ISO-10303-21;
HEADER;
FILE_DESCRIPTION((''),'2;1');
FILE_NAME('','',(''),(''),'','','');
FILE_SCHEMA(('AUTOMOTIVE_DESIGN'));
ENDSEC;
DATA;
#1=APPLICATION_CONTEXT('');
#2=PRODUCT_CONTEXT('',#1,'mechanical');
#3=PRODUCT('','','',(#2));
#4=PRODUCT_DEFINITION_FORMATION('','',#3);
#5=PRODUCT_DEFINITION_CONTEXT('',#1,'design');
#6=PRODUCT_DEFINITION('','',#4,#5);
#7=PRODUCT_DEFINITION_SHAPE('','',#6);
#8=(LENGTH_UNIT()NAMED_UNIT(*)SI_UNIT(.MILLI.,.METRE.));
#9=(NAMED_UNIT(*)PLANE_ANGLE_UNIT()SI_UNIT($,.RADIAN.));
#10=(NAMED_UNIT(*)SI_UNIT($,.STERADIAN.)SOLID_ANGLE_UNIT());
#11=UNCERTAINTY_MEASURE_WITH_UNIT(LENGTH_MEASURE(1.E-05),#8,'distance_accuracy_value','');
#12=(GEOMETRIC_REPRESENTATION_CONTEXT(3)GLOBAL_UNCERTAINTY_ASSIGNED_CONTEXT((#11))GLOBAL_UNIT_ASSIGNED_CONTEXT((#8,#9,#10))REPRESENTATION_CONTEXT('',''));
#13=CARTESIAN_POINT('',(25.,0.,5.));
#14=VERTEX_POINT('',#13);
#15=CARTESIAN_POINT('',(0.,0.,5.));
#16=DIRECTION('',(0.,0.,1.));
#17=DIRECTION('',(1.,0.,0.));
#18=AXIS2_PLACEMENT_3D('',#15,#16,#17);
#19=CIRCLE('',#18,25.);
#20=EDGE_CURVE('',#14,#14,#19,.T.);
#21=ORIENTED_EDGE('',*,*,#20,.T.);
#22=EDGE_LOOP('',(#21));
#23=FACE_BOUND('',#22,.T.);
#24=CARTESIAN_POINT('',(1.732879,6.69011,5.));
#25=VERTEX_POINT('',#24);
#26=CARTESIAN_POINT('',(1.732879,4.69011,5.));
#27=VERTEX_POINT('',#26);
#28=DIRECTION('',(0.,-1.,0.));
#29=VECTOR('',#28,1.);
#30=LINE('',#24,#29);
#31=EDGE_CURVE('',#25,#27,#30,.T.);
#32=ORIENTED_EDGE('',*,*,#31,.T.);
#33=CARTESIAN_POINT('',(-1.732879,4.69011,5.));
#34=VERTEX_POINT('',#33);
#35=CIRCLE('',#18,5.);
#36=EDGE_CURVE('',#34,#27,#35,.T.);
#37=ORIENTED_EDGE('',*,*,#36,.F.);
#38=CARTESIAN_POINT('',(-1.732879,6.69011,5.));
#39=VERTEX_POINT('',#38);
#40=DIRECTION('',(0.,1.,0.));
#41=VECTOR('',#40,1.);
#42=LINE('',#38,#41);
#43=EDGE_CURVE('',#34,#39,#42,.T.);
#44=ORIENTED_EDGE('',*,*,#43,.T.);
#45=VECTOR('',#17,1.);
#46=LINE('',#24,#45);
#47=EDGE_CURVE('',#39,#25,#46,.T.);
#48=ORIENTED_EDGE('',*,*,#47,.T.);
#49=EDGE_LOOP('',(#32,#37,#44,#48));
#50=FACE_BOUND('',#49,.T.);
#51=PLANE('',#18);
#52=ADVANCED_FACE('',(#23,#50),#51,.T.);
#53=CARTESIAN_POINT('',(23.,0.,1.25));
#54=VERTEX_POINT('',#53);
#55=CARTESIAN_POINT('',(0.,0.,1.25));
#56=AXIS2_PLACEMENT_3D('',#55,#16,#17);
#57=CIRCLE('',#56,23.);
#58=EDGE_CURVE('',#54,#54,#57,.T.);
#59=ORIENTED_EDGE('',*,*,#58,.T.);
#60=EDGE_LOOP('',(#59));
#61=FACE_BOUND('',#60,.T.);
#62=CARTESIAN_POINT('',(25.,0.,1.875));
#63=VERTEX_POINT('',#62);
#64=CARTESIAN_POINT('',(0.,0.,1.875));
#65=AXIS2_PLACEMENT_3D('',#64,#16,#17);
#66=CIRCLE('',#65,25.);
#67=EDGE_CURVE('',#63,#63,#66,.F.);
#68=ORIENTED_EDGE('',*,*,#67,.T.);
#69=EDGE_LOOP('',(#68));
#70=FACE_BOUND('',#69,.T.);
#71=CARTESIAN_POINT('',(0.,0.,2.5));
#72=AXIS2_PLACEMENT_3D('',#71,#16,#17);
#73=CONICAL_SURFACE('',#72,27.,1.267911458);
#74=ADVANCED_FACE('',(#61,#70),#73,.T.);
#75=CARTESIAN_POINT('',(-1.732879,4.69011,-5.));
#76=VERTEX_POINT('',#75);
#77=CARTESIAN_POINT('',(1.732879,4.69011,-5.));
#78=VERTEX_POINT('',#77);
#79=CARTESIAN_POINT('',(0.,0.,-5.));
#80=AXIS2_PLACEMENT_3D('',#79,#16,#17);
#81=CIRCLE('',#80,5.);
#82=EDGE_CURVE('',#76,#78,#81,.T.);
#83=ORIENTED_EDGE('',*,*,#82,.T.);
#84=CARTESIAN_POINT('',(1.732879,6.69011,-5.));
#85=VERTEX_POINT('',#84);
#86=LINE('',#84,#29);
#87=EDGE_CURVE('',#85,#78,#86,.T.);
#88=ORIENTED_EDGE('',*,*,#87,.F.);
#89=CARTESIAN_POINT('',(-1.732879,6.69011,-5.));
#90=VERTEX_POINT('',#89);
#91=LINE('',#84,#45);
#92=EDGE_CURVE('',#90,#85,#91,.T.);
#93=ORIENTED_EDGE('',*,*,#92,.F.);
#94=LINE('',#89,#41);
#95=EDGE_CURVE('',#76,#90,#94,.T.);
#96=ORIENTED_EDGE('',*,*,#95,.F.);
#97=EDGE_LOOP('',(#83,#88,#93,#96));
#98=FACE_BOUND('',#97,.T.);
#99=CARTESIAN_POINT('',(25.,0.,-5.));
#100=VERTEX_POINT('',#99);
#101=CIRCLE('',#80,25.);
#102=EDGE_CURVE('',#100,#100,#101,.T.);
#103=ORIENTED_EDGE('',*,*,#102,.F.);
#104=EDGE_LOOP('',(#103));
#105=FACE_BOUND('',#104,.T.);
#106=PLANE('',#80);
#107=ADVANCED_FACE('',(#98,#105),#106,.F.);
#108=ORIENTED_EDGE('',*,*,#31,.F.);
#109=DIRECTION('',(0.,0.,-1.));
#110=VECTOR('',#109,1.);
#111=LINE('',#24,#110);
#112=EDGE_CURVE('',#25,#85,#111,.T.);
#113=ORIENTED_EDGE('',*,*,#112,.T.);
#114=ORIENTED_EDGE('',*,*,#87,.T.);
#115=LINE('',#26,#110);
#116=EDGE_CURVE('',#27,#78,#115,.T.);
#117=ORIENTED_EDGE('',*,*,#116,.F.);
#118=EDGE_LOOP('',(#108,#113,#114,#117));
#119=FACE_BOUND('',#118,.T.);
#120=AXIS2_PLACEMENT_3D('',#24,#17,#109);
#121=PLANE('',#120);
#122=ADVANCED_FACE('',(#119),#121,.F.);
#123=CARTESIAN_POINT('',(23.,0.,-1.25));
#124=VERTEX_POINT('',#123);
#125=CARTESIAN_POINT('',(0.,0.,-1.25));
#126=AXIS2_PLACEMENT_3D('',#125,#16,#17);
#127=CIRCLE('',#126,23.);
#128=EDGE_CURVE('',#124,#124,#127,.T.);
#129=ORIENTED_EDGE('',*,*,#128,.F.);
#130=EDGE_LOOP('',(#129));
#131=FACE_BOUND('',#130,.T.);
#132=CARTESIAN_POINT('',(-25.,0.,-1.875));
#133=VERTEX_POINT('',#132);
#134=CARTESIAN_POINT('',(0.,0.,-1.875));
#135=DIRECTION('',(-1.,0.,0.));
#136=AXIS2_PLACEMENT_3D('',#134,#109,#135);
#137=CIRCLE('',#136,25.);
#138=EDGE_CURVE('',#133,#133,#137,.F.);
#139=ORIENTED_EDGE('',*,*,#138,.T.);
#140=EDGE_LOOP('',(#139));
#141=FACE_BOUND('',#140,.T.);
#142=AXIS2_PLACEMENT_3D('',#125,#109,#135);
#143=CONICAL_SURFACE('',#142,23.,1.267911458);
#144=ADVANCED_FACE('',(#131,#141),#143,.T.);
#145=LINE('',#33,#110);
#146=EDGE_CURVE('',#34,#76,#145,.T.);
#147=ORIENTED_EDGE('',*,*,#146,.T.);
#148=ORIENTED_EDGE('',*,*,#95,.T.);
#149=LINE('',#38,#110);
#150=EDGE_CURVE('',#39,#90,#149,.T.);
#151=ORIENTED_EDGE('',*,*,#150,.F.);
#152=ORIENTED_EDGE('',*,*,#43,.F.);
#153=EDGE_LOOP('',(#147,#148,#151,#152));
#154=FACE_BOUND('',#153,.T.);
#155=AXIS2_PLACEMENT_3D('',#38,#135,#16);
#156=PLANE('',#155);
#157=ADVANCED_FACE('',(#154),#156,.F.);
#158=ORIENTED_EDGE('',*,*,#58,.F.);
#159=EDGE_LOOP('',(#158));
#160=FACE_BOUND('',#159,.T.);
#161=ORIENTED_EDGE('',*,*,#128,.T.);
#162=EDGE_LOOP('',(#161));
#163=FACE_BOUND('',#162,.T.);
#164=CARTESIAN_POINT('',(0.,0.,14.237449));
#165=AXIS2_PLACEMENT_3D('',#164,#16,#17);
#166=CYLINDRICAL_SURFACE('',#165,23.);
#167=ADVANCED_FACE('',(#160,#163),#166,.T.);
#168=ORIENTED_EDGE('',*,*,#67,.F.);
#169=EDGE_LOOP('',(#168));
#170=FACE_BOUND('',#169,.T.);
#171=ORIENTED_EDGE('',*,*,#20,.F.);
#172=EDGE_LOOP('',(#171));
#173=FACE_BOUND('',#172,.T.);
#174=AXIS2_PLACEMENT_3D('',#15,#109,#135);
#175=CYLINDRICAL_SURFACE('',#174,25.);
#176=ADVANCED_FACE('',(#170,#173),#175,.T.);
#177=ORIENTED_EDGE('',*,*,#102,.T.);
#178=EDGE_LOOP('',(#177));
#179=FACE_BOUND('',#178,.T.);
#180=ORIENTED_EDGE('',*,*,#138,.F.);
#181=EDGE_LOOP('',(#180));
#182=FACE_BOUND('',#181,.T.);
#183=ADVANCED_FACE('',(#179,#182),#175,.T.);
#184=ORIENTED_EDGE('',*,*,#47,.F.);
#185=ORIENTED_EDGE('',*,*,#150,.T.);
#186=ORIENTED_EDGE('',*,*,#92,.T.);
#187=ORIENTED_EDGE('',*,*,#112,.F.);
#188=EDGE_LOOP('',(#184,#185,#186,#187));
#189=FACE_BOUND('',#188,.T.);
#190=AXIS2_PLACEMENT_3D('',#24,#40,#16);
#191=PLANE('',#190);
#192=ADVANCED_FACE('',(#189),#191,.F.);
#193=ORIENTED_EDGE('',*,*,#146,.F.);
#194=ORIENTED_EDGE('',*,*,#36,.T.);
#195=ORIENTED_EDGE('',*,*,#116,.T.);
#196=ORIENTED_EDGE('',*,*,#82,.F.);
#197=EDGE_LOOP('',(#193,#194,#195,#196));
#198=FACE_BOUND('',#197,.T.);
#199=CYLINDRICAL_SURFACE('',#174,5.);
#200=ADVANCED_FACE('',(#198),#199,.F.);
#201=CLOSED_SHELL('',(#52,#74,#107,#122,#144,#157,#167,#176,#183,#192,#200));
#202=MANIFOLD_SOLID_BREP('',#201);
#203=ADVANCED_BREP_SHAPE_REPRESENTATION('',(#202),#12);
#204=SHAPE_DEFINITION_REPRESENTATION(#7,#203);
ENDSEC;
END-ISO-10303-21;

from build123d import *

# Parameters (mm, degrees)
SKETCH1_R           = 25
SKETCH1_R_2         = 5
BOSS_EXTRUDE1_DEPTH = 5
CUT_EXTRUDE1_DEPTH  = 10


with BuildPart() as part:
    # Sketch1 → Boss-Extrude1 (new body, symmetric)
    with BuildSketch(Plane.XY):
        Circle(SKETCH1_R)
        Circle(SKETCH1_R_2, mode=Mode.SUBTRACT)
    extrude(amount=BOSS_EXTRUDE1_DEPTH, both=True)

    # Sketch2 → Cut-Revolve1 (revolve, cut)
    with BuildSketch(Plane(origin=(0, 0, 0), x_dir=(0, 0, -1), z_dir=(1, 0, 0))):
        Polygon((-2.5, 27), (-1.25, 23), (1.25, 23), (2.5, 27), align=None)
    revolve(axis=Axis((0, 0, 14.237449017), (0, 0, -1)), mode=Mode.SUBTRACT)

    # Sketch3 → Cut-Extrude1 (cut)
    with BuildSketch(Plane(origin=(0, 0, -5), x_dir=(-1, 0, 0), z_dir=(0, 0, -1))):
        with BuildLine():
            Line((-1.732878986, 6.690109852), (1.732878986, 6.690109852))
            Line((1.732878986, 6.690109852), (1.732878986, 4.690109852))
            ThreePointArc((1.732878986, 4.690109852), (0, 5), (-1.732878986, 4.690109852))
            Line((-1.732878986, 4.690109852), (-1.732878986, 6.690109852))
        make_face()
    extrude(amount=-CUT_EXTRUDE1_DEPTH, mode=Mode.SUBTRACT)


solid = part.part
